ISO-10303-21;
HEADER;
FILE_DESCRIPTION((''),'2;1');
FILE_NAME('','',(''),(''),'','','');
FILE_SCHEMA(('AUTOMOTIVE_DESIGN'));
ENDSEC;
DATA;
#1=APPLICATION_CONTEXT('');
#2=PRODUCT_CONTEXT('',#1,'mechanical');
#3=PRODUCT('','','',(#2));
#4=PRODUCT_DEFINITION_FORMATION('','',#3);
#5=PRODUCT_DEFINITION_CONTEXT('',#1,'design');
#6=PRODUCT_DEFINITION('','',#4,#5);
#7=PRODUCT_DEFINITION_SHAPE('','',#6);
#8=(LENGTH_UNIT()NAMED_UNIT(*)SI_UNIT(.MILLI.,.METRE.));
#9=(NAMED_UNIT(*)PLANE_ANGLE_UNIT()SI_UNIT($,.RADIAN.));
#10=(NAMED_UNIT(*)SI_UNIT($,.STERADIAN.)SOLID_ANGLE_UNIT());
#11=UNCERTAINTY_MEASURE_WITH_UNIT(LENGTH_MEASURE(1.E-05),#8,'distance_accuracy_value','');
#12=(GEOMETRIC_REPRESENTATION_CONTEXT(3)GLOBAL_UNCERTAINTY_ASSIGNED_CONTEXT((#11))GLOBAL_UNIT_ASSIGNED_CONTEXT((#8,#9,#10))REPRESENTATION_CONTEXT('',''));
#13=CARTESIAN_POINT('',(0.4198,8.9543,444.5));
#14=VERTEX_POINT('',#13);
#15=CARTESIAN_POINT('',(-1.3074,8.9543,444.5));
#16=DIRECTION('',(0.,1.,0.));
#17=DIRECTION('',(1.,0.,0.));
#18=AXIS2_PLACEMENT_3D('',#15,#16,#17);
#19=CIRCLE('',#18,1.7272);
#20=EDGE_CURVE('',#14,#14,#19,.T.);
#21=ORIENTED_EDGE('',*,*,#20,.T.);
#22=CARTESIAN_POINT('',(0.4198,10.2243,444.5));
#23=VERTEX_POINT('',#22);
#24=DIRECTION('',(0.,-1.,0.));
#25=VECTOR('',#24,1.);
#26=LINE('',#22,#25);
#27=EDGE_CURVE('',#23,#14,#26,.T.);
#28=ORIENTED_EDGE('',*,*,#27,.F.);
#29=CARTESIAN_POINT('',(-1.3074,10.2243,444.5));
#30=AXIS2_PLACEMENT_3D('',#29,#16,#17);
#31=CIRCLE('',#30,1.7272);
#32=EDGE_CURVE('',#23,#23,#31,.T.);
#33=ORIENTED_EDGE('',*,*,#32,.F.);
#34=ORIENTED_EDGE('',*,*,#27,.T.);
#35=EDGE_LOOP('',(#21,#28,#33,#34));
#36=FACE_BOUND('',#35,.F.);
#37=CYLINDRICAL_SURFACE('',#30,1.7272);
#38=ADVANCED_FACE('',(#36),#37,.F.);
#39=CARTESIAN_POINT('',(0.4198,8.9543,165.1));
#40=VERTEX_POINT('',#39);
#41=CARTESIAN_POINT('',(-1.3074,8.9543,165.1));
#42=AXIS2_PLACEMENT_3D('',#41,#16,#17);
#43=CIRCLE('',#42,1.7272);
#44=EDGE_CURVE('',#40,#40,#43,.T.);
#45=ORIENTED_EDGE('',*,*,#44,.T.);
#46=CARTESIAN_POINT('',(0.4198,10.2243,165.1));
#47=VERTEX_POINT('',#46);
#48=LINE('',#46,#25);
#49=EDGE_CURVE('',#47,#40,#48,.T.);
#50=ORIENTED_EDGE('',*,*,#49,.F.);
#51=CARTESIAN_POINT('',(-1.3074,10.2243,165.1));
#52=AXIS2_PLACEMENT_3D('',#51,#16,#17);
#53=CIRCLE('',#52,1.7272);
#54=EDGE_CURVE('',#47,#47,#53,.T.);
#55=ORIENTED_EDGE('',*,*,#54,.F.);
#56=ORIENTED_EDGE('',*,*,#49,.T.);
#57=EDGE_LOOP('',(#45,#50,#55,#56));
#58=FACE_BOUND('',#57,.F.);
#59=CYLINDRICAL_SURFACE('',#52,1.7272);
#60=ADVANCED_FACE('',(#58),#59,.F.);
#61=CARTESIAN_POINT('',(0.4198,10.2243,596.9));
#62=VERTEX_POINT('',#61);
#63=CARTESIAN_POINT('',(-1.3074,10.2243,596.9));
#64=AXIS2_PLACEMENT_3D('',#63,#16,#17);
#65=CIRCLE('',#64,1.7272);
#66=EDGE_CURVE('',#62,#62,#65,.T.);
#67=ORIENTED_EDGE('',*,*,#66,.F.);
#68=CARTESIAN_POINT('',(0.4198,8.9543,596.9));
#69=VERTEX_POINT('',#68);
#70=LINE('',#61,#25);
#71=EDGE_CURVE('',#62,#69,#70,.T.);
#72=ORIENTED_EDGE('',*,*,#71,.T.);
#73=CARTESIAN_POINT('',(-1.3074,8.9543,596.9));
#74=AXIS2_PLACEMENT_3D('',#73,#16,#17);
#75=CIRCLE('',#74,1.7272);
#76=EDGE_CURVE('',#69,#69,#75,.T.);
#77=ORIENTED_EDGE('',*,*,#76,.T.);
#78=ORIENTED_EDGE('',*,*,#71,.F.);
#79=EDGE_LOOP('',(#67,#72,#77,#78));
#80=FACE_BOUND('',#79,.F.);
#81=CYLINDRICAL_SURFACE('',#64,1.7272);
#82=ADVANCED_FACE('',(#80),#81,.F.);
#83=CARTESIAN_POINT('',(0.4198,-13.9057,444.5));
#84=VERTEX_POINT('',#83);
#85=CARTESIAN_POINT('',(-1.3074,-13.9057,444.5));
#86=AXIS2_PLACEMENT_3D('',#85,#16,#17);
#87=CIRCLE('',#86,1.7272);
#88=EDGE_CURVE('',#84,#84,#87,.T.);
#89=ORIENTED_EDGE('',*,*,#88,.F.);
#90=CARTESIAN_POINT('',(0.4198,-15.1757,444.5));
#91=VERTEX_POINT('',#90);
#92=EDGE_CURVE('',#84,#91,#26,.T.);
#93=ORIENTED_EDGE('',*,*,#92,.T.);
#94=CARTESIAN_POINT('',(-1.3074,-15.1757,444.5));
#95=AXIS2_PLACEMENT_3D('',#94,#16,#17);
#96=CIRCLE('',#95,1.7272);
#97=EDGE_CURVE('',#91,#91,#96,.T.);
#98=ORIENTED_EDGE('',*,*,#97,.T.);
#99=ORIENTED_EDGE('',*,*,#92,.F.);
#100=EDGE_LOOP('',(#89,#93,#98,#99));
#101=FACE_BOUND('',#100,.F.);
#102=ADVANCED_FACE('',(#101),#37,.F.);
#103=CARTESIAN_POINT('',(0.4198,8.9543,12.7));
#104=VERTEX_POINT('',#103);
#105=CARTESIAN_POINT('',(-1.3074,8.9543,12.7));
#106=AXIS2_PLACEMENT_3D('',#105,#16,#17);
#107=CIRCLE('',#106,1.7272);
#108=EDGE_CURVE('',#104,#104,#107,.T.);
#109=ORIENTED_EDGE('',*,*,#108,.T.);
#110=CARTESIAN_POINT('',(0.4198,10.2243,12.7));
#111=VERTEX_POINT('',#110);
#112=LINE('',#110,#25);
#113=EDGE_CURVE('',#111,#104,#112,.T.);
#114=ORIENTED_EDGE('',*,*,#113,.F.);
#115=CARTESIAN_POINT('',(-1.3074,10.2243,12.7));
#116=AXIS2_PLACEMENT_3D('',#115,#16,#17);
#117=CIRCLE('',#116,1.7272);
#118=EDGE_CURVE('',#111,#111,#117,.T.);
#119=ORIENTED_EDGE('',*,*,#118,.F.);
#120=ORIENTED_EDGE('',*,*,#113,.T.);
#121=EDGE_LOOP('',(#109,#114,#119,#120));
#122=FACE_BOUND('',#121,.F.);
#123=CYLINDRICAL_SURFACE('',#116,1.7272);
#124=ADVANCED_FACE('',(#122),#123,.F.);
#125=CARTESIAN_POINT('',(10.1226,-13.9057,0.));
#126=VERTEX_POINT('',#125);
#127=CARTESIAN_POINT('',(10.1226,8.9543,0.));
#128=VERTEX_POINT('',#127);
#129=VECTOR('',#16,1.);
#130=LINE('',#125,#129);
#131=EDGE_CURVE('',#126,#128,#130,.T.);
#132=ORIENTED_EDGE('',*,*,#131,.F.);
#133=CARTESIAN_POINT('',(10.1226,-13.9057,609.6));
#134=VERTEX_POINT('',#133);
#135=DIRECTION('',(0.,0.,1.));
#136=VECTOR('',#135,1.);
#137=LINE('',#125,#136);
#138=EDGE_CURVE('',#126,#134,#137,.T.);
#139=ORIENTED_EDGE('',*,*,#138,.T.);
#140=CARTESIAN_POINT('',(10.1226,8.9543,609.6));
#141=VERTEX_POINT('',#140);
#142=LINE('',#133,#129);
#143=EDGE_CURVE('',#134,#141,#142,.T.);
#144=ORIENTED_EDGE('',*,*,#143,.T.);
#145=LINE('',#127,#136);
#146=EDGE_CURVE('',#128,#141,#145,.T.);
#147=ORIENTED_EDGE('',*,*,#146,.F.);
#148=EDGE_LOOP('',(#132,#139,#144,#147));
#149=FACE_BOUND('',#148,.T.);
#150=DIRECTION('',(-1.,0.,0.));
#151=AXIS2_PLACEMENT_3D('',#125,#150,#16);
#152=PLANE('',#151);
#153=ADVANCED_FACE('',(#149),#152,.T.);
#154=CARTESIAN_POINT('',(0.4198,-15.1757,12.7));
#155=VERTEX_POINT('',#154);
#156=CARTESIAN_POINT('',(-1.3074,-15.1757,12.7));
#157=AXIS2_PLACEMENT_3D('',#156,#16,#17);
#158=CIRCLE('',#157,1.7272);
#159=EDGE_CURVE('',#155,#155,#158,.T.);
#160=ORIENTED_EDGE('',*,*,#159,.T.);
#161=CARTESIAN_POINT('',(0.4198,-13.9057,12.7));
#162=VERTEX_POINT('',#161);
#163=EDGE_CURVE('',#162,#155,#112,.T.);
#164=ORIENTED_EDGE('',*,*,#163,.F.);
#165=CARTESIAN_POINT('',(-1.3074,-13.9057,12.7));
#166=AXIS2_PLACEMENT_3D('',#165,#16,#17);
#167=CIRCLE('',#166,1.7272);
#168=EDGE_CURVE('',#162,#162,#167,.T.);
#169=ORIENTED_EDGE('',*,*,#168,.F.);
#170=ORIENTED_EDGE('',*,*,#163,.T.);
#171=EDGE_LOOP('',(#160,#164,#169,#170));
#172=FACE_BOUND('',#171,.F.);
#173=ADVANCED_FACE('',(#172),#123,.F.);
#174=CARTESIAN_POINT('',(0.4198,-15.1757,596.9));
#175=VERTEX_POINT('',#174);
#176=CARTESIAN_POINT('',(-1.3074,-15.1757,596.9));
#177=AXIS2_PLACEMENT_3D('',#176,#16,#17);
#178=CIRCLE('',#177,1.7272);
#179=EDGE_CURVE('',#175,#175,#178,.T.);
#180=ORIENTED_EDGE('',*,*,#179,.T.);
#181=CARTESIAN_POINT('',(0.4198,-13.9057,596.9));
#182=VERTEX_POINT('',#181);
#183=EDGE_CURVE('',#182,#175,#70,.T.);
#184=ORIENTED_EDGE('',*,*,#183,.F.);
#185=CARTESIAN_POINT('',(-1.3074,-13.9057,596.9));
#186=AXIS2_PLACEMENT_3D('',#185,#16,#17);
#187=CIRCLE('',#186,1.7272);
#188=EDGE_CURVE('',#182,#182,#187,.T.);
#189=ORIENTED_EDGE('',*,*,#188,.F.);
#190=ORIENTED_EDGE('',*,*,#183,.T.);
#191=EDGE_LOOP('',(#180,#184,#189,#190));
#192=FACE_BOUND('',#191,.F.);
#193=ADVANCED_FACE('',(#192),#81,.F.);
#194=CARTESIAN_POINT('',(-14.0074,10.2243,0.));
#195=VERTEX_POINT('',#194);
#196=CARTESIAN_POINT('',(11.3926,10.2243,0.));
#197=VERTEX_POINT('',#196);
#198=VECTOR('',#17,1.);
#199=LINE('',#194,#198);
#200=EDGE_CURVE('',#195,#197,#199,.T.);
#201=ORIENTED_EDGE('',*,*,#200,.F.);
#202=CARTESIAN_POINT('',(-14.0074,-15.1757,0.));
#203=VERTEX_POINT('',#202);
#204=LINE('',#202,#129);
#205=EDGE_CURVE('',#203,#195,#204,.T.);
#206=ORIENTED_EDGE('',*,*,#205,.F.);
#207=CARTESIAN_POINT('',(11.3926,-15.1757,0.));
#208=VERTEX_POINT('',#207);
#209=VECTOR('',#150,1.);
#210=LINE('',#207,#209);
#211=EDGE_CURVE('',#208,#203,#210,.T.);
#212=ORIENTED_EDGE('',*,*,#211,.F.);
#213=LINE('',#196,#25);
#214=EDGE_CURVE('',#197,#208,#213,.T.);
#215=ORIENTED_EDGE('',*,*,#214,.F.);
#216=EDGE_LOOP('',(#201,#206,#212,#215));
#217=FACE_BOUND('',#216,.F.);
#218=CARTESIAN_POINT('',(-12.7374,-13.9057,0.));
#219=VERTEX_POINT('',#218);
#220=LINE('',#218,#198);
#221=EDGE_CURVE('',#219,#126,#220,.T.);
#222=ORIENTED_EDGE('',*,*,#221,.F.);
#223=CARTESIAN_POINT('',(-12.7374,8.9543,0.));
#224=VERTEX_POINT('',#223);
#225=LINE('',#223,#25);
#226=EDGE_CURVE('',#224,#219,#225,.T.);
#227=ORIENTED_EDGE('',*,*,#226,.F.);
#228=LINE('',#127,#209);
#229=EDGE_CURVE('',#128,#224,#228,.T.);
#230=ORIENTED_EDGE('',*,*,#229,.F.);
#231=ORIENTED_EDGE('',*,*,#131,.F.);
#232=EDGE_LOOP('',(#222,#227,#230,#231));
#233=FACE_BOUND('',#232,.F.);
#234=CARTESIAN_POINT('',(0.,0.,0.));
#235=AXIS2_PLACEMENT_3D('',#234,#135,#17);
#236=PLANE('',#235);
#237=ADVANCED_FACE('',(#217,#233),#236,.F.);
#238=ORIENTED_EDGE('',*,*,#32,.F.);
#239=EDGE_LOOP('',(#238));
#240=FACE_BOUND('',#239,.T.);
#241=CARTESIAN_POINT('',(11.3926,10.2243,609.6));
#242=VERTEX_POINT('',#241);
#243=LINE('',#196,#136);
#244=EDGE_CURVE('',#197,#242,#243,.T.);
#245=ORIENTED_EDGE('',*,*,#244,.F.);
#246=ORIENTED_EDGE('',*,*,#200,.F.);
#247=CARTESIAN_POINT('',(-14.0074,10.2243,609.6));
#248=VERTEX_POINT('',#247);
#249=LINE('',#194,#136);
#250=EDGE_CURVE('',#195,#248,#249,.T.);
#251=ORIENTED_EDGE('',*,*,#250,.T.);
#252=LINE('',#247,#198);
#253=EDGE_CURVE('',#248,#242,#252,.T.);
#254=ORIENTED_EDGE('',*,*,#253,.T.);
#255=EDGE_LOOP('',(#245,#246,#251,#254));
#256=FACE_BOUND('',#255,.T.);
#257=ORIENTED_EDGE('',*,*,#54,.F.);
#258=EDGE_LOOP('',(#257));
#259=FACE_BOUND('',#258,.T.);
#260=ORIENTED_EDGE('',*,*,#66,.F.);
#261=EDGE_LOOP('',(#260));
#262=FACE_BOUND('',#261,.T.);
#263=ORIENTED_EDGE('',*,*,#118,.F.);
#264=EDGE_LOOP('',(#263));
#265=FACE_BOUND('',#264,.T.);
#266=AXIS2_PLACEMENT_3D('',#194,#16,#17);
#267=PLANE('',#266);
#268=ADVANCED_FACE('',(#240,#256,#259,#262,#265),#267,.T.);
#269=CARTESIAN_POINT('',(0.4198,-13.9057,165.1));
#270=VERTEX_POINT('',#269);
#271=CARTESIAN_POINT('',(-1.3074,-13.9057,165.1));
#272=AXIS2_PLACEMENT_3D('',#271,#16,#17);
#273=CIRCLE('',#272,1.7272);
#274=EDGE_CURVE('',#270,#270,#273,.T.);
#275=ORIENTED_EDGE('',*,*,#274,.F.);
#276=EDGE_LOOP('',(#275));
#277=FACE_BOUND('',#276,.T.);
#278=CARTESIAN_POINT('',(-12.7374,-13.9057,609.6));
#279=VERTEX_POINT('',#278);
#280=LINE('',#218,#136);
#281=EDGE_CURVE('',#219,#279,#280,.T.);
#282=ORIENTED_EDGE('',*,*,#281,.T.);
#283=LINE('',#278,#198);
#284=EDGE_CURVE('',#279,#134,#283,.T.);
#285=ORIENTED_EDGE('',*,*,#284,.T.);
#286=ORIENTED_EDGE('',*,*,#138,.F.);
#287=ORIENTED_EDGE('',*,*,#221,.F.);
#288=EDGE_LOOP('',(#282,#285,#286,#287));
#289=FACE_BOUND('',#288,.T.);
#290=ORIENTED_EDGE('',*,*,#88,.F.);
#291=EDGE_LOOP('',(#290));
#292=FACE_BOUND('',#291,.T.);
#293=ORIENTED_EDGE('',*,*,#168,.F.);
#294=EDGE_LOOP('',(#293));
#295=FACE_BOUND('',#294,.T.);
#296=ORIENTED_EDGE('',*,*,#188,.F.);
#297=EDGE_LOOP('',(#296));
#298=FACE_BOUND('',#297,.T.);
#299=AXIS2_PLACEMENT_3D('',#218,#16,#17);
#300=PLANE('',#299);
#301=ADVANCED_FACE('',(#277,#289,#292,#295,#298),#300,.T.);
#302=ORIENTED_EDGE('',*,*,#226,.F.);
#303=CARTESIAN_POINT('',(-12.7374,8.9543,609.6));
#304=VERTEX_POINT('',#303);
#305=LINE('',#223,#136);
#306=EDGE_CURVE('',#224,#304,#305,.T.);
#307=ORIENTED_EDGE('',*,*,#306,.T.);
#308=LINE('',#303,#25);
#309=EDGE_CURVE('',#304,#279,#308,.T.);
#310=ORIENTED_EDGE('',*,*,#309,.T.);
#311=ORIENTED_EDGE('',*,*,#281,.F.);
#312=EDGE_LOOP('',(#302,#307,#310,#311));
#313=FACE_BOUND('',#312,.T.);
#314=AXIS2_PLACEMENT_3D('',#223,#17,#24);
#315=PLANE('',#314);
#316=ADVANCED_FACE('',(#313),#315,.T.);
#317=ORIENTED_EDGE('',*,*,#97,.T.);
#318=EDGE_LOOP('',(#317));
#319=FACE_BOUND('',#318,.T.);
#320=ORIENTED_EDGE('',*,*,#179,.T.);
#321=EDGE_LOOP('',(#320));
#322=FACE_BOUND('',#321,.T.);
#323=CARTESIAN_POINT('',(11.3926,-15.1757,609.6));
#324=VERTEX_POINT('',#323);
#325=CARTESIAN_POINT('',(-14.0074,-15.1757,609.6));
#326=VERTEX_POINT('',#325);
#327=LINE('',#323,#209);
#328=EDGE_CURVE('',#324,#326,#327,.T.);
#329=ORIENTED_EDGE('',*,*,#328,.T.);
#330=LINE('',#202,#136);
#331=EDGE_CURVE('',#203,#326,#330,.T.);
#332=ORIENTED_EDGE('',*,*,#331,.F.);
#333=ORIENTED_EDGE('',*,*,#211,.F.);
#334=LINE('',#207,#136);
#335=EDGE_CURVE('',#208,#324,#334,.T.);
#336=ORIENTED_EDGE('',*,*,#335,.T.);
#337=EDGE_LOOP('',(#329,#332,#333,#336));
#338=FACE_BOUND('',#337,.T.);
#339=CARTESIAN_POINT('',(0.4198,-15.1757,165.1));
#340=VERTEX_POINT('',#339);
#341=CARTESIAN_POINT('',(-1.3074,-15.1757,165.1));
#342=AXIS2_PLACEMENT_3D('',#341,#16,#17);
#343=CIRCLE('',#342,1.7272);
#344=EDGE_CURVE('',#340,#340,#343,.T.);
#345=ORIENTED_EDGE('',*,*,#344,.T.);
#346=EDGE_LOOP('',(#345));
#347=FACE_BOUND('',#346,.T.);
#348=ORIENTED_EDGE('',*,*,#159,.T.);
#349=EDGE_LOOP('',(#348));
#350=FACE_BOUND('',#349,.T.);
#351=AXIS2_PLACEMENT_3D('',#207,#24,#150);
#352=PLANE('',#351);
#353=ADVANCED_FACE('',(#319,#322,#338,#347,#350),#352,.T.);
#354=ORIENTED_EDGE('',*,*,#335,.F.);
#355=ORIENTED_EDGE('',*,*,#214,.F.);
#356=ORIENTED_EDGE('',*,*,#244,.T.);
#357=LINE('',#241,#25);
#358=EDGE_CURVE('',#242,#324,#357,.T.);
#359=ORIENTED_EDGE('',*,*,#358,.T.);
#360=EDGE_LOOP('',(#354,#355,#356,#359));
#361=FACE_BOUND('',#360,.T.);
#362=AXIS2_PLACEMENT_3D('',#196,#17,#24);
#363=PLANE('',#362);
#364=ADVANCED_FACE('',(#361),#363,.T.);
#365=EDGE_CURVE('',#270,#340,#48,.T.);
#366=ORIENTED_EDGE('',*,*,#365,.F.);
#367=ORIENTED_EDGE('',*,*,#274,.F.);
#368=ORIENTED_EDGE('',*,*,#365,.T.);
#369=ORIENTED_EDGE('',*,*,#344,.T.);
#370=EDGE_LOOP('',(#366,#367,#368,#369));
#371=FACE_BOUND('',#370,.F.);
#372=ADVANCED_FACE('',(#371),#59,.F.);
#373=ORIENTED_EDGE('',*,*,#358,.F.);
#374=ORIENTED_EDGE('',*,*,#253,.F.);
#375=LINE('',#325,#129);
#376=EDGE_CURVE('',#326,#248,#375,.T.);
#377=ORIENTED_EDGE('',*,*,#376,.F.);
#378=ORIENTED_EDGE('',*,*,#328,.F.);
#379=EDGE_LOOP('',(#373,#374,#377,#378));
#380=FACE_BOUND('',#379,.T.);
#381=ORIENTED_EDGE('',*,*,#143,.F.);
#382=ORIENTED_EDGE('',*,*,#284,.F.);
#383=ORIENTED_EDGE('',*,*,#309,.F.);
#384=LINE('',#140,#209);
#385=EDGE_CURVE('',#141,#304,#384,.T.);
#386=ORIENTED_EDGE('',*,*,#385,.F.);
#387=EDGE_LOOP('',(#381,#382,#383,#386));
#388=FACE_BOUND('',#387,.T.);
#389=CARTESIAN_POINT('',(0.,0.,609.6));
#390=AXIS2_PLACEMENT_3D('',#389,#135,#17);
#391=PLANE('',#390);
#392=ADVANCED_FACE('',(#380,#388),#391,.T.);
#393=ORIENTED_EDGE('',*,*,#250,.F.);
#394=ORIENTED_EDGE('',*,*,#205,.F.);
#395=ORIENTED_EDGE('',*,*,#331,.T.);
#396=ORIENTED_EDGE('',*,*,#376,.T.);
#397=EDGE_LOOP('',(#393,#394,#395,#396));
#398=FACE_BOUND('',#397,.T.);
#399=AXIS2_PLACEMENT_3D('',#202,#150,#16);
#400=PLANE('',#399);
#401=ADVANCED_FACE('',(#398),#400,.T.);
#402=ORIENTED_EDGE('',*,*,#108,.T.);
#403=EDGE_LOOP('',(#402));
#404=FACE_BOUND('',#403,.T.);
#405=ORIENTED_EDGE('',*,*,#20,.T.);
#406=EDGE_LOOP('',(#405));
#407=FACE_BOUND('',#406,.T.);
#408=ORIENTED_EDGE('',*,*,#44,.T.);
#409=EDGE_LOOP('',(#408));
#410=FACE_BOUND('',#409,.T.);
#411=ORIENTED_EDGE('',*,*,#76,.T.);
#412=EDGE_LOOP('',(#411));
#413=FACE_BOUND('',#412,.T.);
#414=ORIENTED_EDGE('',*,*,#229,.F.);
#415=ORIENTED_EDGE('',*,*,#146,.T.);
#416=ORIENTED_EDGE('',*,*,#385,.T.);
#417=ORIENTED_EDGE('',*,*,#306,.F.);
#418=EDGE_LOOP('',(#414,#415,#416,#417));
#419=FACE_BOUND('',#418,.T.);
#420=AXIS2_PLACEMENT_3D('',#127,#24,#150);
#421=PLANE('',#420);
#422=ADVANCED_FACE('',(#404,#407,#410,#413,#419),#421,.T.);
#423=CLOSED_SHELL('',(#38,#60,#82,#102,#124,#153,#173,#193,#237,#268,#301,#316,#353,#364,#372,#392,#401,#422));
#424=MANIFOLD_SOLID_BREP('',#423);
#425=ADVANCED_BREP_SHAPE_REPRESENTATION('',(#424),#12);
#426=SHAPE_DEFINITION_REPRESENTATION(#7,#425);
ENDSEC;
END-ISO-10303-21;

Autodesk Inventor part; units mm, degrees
ref_plane "YZ Plane" through (0, 0, 0) normal (1, 0, 0) x (0, 1, 0)
ref_plane "XZ Plane" through (0, 0, 0) normal (0, 1, 0) x (-1, 0, 0)
ref_plane "XY Plane" through (0, 0, 0) normal (0, 0, 1) x (1, 0, 0)
sketch "Sketch1" plane through (0, 0, 0) normal (0, 0, 1) x (1, 0, 0)
  line L0 (-14.0074, 10.2243) -> (11.3926, 10.2243)
  line L1 (11.3926, 10.2243) -> (11.3926, -15.1757)
  line L2 (11.3926, -15.1757) -> (-14.0074, -15.1757)
  line L3 (-14.0074, -15.1757) -> (-14.0074, 10.2243)
  line L4 (10.1226, 8.9543) -> (-12.7374, 8.9543)
  line L5 (-12.7374, 8.9543) -> (-12.7374, -13.9057)
  line L6 (-12.7374, -13.9057) -> (10.1226, -13.9057)
  line L7 (10.1226, -13.9057) -> (10.1226, 8.9543)
  point P0 (0, 0)
  dimension "d0" = 25.4
  dimension "d1" = 1.27
extrude "Extrusion2" add sketch "Sketch1" along normal blind 609.6
sketch "Sketch2" plane through (-14.0074, 10.2243, 0) normal (0, 1, 0) x (1, 0, 0)
  circle A0 centre (12.7, -165.1) radius 1.7272
  circle A1 centre (12.7, -444.5) radius 1.7272
  circle A2 centre (12.7, -596.9) radius 1.7272
  circle A3 centre (12.7, -12.7) radius 1.7272
  line L0 (12.7, -275.2188) -> (12.7, -289.6377) construction
  line L1 (25.4, -609.6) -> (0, -609.6) projected
  line L2 (25.4, 0) -> (25.4, -609.6) projected
  line L3 (25.4, 0) -> (0, 0) projected
  point P0 (14.0074, 0)
  dimension "d6" = 3.4544
  dimension "d7" = 12.7
  dimension "d8" = 12.7
  dimension "d9" = 12.7
  dimension "d11" = 152.4
  dimension "d15" = 152.4
extrude "Extrusion3" cut sketch "Sketch2" against normal through all
equation "\"d4\" = d2"
equation "\"d11\" = d14"
equation "\"d15\" = d14"
equation "\"d2\" = 609.6"
equation "\"d14\" = 152.4"
properties part number "24 in 1x1 for drive"
